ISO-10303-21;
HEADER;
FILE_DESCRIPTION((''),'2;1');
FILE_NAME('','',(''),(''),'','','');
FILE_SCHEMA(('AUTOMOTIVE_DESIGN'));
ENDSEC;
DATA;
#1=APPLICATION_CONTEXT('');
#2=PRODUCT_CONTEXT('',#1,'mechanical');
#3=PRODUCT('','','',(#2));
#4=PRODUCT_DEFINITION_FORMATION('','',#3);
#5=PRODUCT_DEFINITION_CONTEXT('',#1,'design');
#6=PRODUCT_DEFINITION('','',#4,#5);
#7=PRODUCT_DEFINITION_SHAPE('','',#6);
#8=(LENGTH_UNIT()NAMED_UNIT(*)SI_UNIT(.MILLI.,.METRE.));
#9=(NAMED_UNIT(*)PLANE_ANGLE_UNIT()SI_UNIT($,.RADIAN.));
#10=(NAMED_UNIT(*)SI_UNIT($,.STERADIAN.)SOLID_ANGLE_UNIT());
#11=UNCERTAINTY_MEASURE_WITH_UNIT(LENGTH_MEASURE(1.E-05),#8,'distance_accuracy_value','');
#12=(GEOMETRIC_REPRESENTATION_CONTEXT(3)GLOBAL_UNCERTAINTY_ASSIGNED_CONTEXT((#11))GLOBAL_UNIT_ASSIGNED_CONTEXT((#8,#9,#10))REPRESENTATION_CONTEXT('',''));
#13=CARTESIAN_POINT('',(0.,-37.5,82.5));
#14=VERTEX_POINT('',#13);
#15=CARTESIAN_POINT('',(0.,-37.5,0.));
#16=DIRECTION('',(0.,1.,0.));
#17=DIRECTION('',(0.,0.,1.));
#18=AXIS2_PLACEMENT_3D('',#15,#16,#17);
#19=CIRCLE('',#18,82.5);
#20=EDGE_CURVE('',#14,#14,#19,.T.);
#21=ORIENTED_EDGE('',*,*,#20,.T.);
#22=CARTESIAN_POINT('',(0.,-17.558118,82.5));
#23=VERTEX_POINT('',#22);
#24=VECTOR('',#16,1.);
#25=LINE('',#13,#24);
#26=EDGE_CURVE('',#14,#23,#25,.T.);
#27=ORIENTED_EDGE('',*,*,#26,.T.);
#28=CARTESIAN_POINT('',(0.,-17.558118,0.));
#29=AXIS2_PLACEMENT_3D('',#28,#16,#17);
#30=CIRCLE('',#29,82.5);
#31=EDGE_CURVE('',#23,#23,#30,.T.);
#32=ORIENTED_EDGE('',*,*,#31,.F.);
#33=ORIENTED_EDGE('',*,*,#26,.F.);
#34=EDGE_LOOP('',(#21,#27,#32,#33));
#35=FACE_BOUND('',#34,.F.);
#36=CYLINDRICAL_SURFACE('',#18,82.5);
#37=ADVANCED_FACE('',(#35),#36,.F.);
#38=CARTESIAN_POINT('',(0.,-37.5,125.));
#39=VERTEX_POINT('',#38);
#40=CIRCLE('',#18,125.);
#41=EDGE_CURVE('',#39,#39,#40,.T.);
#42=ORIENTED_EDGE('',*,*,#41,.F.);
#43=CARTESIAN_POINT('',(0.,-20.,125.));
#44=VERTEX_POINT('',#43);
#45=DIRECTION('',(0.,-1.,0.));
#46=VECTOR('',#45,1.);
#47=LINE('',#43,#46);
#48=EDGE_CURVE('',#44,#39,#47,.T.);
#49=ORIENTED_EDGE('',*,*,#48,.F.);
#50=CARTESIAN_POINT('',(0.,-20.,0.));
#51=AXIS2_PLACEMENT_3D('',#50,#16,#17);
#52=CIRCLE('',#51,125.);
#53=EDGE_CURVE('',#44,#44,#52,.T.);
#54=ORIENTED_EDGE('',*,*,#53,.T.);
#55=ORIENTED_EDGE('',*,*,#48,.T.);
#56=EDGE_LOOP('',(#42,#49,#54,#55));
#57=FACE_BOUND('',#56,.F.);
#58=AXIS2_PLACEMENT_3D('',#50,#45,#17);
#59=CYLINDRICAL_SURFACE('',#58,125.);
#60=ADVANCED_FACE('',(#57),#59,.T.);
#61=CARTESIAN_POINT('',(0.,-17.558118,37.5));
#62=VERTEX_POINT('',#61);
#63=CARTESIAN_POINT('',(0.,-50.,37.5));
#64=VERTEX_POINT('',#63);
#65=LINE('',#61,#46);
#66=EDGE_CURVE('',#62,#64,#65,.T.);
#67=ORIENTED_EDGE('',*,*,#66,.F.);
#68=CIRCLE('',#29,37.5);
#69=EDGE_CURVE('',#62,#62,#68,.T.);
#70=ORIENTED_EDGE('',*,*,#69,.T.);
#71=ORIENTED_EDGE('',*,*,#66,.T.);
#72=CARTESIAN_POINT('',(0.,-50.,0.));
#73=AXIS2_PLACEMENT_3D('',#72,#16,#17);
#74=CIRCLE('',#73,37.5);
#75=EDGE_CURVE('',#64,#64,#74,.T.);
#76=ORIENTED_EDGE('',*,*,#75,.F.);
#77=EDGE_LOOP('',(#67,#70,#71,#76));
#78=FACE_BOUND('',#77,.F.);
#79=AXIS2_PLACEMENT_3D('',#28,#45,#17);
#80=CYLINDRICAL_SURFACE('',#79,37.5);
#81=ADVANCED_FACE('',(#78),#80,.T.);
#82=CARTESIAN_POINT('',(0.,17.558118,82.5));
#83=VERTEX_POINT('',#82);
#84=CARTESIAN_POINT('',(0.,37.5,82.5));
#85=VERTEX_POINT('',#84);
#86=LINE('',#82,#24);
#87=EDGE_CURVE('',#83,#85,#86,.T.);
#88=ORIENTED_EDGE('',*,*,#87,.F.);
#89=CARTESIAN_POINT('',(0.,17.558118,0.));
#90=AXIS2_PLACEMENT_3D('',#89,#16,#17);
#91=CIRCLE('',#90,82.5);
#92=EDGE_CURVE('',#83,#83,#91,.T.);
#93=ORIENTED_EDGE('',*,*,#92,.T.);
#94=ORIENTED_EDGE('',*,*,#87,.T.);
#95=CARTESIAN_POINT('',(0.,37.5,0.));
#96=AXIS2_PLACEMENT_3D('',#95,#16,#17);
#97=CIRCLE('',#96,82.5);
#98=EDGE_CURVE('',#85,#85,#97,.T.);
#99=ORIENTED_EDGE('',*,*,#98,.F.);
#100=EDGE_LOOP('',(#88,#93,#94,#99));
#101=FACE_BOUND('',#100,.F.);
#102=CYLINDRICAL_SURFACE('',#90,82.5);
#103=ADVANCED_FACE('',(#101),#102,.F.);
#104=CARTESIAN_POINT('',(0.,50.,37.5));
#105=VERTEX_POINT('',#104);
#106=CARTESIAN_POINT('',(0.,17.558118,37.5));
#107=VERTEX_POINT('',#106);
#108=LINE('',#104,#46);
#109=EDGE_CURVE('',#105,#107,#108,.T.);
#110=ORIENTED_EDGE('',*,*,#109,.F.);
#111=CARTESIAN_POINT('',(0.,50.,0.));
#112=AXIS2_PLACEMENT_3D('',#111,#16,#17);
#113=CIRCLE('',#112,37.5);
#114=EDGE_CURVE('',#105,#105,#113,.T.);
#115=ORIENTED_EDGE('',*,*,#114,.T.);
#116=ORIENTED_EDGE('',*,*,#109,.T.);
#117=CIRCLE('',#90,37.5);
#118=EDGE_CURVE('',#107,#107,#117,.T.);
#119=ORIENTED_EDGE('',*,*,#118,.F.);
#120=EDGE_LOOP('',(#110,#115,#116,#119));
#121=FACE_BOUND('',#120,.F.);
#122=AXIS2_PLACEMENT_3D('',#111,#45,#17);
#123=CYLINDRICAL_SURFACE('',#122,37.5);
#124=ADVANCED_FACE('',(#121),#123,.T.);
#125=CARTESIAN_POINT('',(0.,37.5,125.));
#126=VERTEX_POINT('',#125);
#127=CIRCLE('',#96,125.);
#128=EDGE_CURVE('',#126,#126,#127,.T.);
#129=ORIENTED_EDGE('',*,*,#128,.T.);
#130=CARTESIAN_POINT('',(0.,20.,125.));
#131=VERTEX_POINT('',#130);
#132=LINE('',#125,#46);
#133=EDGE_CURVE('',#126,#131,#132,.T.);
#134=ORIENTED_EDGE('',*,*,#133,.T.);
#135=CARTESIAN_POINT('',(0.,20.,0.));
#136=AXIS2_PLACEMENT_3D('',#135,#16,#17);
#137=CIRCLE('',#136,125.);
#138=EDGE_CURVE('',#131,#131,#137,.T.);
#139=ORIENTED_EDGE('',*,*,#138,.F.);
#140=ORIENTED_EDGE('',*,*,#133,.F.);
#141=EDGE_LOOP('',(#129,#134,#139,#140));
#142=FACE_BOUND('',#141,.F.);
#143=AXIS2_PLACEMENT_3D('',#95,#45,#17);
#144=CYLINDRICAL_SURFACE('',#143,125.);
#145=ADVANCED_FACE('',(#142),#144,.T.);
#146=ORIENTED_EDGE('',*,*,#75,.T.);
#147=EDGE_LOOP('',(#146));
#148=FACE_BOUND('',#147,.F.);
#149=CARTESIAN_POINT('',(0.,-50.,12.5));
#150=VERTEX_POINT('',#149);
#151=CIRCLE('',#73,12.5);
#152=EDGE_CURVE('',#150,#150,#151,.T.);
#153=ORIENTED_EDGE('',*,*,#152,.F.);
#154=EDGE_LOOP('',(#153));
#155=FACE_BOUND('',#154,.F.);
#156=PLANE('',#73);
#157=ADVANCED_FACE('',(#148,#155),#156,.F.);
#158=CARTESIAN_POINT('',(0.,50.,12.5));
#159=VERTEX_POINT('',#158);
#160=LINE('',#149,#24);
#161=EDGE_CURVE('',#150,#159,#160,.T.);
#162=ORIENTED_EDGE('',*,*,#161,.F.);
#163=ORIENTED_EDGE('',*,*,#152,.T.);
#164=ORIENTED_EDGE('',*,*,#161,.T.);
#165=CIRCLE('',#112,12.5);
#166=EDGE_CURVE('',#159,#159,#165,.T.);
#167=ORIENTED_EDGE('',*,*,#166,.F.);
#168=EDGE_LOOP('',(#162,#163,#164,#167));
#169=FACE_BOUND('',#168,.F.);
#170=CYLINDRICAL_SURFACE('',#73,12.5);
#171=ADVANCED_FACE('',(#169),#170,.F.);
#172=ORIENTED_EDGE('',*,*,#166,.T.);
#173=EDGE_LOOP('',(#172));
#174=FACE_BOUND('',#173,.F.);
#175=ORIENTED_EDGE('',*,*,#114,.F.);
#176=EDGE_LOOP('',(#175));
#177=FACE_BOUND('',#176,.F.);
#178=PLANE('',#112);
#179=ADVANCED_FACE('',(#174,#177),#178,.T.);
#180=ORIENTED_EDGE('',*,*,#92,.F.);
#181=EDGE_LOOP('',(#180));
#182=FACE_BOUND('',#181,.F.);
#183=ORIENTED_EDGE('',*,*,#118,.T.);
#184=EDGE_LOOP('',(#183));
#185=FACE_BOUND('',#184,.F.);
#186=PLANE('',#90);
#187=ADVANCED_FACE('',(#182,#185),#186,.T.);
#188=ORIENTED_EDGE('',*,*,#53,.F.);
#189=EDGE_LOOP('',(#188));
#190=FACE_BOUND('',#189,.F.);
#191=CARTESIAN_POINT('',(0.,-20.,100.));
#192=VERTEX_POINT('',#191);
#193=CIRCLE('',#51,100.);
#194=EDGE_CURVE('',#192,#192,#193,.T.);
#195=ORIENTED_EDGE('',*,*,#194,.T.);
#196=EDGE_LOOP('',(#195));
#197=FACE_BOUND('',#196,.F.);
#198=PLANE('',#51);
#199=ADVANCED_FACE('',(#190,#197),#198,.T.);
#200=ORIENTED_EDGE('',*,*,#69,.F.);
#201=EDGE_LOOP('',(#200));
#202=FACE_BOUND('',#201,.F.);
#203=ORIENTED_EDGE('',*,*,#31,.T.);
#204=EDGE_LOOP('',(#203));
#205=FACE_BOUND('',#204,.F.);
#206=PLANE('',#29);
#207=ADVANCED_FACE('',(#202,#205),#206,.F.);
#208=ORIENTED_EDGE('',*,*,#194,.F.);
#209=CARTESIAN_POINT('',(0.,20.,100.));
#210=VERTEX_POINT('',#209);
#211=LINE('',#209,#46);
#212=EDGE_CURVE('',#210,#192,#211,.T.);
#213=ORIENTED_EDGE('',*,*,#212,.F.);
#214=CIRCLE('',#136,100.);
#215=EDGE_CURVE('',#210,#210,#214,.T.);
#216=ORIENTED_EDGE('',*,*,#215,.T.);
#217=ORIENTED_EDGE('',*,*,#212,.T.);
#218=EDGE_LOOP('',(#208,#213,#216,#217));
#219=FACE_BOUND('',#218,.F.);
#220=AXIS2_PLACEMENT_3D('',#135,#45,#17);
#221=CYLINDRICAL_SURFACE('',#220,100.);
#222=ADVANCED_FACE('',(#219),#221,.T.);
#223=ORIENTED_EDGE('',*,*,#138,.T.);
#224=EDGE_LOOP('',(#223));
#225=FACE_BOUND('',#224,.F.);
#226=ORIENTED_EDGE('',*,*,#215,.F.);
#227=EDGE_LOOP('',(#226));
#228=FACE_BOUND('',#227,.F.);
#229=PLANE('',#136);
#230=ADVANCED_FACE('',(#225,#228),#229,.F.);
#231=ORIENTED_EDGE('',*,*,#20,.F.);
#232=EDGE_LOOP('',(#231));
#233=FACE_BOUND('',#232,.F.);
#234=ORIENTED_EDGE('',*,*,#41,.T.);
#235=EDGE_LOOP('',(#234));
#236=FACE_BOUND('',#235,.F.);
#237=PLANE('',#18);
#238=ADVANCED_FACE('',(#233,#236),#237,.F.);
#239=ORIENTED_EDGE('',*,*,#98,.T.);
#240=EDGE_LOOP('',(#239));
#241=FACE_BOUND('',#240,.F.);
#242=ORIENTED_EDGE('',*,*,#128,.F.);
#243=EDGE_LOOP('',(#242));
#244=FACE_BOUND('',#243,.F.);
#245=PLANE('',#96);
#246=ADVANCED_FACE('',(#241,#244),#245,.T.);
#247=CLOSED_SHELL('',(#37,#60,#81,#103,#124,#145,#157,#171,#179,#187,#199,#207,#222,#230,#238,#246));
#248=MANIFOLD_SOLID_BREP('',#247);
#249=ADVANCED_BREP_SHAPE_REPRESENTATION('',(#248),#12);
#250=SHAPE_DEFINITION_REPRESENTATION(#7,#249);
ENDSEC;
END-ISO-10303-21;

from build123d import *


with BuildPart() as f1:
    # F0 (on Right) → F1 (revolve)
    with BuildSketch(Plane.YZ):
        Polygon((-20, 125), (-37.5, 125), (-37.5, 82.5), (-17.558118, 82.5), (-17.558118, 37.5), (-50, 37.5), (-50, 12.5), (0, 12.5), (50, 12.5), (50, 37.5), (17.558118, 37.5), (17.558118, 82.5), (37.5, 82.5), (37.5, 125), (20, 125), (20, 100), (0, 100), (-20, 100), align=None)
    revolve(axis=Axis((0, -4.137259, 0), (0, 1, 0)))


solid = f1.part
